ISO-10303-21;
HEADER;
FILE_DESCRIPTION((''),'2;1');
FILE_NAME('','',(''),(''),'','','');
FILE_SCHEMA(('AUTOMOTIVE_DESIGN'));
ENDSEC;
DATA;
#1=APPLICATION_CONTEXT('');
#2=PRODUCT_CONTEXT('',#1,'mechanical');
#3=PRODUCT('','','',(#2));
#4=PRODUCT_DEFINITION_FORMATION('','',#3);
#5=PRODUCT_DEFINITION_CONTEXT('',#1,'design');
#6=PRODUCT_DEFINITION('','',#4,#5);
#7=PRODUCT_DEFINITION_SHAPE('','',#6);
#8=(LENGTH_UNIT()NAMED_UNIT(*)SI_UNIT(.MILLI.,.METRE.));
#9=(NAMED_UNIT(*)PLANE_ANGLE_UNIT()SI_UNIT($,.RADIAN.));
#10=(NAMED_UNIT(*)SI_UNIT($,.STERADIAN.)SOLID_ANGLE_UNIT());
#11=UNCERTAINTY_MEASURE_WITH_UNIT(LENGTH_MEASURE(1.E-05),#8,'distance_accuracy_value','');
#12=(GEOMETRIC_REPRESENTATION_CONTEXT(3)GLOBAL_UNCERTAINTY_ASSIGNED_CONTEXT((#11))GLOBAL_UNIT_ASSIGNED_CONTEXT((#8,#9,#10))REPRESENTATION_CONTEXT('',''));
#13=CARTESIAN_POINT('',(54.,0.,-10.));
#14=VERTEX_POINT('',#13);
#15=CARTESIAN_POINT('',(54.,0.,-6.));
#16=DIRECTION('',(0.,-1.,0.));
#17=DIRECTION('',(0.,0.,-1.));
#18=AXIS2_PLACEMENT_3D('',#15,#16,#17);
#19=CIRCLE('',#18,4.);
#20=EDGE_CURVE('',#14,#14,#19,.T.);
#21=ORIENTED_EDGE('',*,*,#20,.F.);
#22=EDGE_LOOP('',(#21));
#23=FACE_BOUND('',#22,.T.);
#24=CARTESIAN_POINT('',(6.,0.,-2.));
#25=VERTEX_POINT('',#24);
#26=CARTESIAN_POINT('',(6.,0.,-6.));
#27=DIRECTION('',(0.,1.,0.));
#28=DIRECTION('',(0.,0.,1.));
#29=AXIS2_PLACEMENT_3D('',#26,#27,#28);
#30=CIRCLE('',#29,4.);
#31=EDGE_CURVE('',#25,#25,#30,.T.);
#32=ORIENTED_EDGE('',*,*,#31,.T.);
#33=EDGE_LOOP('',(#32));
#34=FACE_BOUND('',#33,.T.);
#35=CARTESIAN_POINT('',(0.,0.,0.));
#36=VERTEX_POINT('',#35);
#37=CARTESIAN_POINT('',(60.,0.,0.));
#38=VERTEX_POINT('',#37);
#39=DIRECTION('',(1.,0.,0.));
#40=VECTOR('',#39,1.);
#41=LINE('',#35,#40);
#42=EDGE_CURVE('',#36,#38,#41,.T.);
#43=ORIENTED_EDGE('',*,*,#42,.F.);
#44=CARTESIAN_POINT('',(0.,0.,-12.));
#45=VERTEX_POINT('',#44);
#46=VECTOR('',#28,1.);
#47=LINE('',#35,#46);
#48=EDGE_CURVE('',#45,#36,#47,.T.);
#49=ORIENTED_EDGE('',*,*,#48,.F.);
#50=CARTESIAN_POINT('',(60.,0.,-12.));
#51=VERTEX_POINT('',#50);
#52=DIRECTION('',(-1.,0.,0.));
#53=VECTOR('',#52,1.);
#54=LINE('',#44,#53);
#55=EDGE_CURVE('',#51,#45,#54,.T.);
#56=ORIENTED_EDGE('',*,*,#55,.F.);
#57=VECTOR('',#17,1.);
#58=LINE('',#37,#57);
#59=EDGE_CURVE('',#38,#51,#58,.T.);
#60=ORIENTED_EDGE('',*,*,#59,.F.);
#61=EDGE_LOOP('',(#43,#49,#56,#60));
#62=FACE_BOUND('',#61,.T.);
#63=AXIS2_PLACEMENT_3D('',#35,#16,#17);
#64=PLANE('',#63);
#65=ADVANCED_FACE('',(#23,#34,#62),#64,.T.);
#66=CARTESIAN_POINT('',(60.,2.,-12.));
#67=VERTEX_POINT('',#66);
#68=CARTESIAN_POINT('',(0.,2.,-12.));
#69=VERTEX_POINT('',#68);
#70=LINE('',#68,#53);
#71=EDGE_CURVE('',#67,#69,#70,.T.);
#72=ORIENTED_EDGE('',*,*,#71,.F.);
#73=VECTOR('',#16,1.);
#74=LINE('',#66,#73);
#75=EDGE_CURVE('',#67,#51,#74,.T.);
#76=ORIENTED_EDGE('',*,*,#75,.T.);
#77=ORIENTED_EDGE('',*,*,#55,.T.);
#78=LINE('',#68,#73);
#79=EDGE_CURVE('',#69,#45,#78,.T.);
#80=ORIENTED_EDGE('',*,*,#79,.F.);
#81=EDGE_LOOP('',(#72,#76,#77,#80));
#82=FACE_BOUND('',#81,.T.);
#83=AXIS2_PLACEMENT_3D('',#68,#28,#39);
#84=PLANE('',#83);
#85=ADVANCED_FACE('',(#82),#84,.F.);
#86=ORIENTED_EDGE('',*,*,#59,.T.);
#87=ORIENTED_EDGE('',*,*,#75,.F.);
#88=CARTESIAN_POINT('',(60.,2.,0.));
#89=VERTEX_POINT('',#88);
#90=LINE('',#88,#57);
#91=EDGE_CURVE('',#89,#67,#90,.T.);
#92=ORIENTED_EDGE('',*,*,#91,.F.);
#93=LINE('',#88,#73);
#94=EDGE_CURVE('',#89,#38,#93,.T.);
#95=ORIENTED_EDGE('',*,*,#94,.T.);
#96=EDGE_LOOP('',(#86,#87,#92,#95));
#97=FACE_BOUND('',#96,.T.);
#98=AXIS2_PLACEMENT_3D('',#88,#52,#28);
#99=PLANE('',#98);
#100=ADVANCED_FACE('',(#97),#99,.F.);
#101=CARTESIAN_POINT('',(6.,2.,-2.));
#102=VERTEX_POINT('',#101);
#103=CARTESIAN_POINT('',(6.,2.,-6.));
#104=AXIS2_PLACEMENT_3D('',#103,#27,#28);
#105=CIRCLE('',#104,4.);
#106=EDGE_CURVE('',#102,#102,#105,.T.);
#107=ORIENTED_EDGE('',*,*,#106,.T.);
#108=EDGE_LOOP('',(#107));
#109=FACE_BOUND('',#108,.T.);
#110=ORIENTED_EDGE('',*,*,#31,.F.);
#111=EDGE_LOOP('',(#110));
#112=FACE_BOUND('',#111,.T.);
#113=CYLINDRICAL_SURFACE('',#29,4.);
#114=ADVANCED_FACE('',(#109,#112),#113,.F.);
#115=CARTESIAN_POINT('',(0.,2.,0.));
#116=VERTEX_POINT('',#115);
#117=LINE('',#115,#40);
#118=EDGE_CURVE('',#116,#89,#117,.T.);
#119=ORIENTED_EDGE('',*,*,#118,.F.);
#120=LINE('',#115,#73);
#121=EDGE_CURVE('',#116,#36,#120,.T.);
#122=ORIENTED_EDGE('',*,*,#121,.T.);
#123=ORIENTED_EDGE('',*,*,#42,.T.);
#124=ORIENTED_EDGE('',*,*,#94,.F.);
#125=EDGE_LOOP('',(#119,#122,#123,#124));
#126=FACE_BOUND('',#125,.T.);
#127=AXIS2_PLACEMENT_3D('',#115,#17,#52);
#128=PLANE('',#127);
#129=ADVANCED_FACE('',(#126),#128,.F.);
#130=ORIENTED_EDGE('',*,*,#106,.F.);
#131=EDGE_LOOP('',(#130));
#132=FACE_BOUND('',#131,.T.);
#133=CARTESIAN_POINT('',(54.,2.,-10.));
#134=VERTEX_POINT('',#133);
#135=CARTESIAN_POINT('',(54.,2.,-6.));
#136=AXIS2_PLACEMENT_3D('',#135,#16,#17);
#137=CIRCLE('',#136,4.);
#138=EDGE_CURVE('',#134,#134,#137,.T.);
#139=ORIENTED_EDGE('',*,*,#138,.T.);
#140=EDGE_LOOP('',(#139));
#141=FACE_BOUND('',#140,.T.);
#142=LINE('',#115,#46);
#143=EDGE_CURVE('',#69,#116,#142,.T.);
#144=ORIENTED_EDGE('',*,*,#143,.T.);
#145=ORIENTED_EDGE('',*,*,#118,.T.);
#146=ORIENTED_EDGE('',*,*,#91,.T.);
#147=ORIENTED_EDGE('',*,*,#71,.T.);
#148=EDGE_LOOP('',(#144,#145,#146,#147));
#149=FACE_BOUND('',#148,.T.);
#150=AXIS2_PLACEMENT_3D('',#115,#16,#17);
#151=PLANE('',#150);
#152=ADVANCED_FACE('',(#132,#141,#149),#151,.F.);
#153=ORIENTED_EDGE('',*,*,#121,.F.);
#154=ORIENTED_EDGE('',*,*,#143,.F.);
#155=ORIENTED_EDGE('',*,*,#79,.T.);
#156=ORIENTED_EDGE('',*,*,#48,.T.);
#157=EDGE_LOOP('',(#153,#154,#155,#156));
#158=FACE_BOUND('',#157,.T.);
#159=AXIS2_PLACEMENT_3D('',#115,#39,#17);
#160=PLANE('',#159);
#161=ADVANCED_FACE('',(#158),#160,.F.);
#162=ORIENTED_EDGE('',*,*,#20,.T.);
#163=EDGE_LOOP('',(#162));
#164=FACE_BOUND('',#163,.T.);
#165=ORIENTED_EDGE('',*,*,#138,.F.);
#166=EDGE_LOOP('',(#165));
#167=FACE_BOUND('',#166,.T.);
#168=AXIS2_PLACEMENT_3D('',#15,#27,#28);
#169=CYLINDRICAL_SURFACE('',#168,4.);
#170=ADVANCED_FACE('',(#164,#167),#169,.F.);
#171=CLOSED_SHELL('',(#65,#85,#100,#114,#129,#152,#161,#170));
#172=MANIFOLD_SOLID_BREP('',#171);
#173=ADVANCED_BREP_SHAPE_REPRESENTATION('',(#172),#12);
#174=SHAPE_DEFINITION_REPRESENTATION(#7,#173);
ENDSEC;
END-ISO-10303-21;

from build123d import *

# Parameters (mm, degrees)
SKETCH1_W           = 60
SKETCH1_H           = 12
BOSS_EXTRUDE1_DEPTH = 2
SKETCH2_R           = 4
CUT_EXTRUDE1_DEPTH  = 62.22091146


with BuildPart() as part:
    # Sketch1 → Boss-Extrude1 (new body)
    with BuildSketch(Plane(origin=(0, 0, 0), x_dir=(1, 0, 0), z_dir=(0, 1, 0))):
        with Locations((30, 6)):
            Rectangle(SKETCH1_W, SKETCH1_H)
    extrude(amount=BOSS_EXTRUDE1_DEPTH)

    # Sketch2 → Cut-Extrude1 (cut, through all)
    with BuildSketch(Plane(origin=(0, 2, 0), x_dir=(1, 0, 0), z_dir=(0, 1, 0))):
        with Locations(Location((6, 6, 0), (0, 0, 270))):
            Circle(SKETCH2_R)
        with Locations(Location((54, 6, 0), (0, 0, 90))):
            Circle(SKETCH2_R)
    extrude(amount=-CUT_EXTRUDE1_DEPTH, mode=Mode.SUBTRACT)


solid = part.part
